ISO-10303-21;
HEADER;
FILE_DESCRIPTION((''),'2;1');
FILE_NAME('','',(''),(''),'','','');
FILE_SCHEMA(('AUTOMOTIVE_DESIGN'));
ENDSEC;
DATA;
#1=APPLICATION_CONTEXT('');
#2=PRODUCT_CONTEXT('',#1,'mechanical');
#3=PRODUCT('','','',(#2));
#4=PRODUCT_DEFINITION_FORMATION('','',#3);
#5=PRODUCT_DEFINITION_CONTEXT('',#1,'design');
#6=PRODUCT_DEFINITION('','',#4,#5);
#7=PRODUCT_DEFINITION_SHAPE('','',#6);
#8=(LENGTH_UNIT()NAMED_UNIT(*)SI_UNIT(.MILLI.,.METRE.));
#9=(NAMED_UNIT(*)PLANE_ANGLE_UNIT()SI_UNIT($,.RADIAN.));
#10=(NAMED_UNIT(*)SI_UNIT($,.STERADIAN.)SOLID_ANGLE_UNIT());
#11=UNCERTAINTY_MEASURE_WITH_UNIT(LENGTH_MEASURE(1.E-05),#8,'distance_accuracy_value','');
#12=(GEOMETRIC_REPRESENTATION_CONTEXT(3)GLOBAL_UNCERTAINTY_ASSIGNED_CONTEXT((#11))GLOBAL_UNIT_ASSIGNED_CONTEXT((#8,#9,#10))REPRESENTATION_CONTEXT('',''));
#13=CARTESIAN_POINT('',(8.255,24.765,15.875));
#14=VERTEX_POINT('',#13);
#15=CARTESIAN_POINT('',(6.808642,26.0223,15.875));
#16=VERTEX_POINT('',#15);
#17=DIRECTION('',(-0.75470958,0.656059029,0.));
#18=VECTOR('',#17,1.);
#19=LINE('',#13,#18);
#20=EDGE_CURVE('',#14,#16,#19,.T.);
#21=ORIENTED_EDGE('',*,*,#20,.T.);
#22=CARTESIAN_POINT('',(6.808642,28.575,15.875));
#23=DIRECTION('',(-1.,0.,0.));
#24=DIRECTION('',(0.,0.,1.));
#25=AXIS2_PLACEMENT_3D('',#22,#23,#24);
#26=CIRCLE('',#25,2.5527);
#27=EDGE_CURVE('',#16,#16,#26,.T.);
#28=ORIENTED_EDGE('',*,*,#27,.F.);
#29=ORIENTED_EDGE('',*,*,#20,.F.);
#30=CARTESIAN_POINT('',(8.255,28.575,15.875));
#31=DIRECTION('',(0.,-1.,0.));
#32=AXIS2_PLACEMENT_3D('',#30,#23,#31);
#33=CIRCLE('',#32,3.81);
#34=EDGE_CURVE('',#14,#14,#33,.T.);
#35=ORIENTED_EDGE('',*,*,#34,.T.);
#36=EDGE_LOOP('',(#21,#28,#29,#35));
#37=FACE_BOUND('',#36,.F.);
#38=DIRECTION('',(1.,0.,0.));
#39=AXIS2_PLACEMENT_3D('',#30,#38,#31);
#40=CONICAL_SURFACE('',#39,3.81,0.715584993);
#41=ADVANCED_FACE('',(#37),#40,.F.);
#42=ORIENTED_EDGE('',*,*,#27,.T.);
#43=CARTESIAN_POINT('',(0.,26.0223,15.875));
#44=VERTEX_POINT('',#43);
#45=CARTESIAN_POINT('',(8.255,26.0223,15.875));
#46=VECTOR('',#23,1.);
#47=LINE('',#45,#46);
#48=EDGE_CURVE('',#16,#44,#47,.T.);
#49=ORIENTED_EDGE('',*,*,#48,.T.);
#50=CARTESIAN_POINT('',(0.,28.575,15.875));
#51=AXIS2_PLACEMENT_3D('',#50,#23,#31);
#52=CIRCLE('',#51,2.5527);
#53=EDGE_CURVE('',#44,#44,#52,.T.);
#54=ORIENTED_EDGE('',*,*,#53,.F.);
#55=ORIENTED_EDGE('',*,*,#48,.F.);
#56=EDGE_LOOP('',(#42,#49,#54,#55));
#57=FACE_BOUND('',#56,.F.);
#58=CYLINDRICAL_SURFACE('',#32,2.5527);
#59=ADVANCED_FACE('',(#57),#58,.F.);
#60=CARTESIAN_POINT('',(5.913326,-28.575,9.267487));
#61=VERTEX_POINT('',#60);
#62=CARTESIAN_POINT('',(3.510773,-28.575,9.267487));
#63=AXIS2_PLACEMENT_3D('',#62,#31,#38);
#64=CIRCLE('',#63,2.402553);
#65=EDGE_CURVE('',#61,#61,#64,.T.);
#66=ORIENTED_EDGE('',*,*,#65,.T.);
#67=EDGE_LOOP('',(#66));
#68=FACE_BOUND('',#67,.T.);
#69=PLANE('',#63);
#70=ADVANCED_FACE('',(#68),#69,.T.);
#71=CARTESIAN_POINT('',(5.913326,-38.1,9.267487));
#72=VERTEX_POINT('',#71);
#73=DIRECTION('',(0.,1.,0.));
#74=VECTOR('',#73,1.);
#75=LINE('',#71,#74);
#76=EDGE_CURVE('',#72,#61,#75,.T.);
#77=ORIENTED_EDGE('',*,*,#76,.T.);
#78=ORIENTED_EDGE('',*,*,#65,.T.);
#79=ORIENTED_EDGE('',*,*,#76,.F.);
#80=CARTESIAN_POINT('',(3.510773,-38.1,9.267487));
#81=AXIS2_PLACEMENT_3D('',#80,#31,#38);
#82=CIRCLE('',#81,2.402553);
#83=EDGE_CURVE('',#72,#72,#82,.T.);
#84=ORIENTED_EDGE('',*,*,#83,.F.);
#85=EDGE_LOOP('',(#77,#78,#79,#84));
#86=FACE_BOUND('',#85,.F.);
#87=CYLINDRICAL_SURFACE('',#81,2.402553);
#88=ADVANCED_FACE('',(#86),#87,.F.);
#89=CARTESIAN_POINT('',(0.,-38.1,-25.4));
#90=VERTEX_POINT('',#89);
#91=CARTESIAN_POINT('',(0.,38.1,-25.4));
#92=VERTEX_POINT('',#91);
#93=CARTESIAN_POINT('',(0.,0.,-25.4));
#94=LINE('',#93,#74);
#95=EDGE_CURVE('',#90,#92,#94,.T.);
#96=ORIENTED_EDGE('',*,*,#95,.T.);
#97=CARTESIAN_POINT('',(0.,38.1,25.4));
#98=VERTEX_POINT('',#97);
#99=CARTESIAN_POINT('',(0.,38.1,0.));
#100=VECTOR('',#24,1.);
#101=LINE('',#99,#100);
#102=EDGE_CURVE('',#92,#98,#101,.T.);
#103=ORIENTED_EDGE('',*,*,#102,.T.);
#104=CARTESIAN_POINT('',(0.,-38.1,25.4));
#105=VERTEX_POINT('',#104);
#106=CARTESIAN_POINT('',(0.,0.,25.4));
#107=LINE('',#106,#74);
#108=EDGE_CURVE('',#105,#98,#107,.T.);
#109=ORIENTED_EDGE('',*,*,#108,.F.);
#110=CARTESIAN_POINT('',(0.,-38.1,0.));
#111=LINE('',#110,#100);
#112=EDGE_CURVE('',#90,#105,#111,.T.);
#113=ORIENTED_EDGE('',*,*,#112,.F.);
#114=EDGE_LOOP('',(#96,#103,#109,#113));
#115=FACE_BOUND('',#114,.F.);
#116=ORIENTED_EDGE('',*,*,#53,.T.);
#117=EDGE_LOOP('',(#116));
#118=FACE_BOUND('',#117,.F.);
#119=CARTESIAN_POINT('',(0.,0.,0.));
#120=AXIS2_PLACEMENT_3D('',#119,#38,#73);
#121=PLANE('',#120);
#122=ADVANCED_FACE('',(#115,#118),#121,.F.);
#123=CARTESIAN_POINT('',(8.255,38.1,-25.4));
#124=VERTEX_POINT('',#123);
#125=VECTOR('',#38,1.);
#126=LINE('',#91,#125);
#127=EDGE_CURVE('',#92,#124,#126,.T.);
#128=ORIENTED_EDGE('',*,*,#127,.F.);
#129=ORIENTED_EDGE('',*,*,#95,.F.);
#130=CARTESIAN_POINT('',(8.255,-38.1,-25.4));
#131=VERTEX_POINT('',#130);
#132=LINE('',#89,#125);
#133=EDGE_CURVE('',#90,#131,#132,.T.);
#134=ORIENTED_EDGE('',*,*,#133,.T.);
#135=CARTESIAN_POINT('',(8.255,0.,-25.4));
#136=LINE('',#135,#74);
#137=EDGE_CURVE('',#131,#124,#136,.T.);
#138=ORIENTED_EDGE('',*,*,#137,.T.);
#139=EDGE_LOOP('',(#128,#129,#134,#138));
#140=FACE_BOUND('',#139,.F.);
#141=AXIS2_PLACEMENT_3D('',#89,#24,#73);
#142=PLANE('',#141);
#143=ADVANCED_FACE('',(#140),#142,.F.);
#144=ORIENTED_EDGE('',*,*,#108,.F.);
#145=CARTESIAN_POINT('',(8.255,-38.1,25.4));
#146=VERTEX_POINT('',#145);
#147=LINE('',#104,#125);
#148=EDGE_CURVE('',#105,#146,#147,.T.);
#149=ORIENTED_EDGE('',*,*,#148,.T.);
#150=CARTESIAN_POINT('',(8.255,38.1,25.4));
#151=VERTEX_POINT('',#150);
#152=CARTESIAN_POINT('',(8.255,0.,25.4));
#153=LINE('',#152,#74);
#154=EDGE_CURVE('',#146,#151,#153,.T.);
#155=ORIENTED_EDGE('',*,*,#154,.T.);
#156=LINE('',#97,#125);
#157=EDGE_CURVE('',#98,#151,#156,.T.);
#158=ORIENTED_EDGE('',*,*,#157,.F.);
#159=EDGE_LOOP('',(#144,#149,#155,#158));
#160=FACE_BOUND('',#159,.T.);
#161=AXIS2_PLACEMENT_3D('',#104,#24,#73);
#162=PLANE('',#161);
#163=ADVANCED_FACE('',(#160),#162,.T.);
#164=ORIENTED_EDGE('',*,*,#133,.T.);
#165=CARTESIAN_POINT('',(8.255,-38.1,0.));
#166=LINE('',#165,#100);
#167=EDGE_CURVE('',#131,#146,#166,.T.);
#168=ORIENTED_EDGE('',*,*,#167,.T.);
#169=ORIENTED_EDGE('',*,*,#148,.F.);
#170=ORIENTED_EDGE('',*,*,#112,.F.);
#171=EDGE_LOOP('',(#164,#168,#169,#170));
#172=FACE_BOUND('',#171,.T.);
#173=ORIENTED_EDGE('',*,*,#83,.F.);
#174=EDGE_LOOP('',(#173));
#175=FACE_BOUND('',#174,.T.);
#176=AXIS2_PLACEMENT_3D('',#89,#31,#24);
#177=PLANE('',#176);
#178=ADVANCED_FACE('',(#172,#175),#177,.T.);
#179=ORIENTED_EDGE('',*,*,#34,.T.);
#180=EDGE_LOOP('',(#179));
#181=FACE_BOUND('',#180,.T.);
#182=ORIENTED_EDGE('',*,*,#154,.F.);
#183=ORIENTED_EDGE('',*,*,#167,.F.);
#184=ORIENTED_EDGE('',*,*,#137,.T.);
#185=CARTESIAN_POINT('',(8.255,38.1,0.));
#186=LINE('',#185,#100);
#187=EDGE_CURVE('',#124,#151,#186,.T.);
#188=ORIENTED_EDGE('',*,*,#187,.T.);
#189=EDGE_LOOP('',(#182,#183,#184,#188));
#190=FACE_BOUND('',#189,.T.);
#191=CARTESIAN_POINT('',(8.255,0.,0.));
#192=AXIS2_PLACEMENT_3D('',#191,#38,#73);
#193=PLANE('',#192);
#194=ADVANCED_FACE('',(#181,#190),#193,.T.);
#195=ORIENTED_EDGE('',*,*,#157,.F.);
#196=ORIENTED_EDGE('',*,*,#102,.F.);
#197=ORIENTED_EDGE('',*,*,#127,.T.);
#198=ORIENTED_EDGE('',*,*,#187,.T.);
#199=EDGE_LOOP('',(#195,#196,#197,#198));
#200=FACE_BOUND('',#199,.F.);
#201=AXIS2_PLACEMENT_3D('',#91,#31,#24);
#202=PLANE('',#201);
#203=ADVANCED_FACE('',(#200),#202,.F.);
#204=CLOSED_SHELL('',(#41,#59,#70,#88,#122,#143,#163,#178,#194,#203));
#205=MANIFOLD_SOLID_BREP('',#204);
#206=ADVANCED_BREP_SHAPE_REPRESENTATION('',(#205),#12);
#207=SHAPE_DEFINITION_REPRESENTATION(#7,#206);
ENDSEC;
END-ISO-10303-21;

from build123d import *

# Parameters (mm, degrees)
F0_W           = 76.2
F0_H           = 50.8
F1_DEPTH       = 8.255
F2_R           = 2.402553
F3_DEPTH       = 9.525
F5_D           = 5.1054
F5_CSINK_D     = 7.62
F5_CSINK_ANGLE = 82


with BuildPart() as f1:
    # F0 (on Right) → F1 (new body)
    with BuildSketch(Plane.YZ):
        Rectangle(F0_W, F0_H)
    extrude(amount=F1_DEPTH)

    # F2 (on face) → F3 (cut)
    with BuildSketch(Plane.XZ.offset(38.1)):
        with Locations((3.510773, 9.267487)):
            Circle(F2_R)
    extrude(amount=-F3_DEPTH, mode=Mode.SUBTRACT)

    # F5 (through all)
    with Locations(Plane.YZ.offset(8.255)):
        with Locations((28.575, 15.875)):
            CounterSinkHole(F5_D / 2, F5_CSINK_D / 2, counter_sink_angle=F5_CSINK_ANGLE)


solid = f1.part
